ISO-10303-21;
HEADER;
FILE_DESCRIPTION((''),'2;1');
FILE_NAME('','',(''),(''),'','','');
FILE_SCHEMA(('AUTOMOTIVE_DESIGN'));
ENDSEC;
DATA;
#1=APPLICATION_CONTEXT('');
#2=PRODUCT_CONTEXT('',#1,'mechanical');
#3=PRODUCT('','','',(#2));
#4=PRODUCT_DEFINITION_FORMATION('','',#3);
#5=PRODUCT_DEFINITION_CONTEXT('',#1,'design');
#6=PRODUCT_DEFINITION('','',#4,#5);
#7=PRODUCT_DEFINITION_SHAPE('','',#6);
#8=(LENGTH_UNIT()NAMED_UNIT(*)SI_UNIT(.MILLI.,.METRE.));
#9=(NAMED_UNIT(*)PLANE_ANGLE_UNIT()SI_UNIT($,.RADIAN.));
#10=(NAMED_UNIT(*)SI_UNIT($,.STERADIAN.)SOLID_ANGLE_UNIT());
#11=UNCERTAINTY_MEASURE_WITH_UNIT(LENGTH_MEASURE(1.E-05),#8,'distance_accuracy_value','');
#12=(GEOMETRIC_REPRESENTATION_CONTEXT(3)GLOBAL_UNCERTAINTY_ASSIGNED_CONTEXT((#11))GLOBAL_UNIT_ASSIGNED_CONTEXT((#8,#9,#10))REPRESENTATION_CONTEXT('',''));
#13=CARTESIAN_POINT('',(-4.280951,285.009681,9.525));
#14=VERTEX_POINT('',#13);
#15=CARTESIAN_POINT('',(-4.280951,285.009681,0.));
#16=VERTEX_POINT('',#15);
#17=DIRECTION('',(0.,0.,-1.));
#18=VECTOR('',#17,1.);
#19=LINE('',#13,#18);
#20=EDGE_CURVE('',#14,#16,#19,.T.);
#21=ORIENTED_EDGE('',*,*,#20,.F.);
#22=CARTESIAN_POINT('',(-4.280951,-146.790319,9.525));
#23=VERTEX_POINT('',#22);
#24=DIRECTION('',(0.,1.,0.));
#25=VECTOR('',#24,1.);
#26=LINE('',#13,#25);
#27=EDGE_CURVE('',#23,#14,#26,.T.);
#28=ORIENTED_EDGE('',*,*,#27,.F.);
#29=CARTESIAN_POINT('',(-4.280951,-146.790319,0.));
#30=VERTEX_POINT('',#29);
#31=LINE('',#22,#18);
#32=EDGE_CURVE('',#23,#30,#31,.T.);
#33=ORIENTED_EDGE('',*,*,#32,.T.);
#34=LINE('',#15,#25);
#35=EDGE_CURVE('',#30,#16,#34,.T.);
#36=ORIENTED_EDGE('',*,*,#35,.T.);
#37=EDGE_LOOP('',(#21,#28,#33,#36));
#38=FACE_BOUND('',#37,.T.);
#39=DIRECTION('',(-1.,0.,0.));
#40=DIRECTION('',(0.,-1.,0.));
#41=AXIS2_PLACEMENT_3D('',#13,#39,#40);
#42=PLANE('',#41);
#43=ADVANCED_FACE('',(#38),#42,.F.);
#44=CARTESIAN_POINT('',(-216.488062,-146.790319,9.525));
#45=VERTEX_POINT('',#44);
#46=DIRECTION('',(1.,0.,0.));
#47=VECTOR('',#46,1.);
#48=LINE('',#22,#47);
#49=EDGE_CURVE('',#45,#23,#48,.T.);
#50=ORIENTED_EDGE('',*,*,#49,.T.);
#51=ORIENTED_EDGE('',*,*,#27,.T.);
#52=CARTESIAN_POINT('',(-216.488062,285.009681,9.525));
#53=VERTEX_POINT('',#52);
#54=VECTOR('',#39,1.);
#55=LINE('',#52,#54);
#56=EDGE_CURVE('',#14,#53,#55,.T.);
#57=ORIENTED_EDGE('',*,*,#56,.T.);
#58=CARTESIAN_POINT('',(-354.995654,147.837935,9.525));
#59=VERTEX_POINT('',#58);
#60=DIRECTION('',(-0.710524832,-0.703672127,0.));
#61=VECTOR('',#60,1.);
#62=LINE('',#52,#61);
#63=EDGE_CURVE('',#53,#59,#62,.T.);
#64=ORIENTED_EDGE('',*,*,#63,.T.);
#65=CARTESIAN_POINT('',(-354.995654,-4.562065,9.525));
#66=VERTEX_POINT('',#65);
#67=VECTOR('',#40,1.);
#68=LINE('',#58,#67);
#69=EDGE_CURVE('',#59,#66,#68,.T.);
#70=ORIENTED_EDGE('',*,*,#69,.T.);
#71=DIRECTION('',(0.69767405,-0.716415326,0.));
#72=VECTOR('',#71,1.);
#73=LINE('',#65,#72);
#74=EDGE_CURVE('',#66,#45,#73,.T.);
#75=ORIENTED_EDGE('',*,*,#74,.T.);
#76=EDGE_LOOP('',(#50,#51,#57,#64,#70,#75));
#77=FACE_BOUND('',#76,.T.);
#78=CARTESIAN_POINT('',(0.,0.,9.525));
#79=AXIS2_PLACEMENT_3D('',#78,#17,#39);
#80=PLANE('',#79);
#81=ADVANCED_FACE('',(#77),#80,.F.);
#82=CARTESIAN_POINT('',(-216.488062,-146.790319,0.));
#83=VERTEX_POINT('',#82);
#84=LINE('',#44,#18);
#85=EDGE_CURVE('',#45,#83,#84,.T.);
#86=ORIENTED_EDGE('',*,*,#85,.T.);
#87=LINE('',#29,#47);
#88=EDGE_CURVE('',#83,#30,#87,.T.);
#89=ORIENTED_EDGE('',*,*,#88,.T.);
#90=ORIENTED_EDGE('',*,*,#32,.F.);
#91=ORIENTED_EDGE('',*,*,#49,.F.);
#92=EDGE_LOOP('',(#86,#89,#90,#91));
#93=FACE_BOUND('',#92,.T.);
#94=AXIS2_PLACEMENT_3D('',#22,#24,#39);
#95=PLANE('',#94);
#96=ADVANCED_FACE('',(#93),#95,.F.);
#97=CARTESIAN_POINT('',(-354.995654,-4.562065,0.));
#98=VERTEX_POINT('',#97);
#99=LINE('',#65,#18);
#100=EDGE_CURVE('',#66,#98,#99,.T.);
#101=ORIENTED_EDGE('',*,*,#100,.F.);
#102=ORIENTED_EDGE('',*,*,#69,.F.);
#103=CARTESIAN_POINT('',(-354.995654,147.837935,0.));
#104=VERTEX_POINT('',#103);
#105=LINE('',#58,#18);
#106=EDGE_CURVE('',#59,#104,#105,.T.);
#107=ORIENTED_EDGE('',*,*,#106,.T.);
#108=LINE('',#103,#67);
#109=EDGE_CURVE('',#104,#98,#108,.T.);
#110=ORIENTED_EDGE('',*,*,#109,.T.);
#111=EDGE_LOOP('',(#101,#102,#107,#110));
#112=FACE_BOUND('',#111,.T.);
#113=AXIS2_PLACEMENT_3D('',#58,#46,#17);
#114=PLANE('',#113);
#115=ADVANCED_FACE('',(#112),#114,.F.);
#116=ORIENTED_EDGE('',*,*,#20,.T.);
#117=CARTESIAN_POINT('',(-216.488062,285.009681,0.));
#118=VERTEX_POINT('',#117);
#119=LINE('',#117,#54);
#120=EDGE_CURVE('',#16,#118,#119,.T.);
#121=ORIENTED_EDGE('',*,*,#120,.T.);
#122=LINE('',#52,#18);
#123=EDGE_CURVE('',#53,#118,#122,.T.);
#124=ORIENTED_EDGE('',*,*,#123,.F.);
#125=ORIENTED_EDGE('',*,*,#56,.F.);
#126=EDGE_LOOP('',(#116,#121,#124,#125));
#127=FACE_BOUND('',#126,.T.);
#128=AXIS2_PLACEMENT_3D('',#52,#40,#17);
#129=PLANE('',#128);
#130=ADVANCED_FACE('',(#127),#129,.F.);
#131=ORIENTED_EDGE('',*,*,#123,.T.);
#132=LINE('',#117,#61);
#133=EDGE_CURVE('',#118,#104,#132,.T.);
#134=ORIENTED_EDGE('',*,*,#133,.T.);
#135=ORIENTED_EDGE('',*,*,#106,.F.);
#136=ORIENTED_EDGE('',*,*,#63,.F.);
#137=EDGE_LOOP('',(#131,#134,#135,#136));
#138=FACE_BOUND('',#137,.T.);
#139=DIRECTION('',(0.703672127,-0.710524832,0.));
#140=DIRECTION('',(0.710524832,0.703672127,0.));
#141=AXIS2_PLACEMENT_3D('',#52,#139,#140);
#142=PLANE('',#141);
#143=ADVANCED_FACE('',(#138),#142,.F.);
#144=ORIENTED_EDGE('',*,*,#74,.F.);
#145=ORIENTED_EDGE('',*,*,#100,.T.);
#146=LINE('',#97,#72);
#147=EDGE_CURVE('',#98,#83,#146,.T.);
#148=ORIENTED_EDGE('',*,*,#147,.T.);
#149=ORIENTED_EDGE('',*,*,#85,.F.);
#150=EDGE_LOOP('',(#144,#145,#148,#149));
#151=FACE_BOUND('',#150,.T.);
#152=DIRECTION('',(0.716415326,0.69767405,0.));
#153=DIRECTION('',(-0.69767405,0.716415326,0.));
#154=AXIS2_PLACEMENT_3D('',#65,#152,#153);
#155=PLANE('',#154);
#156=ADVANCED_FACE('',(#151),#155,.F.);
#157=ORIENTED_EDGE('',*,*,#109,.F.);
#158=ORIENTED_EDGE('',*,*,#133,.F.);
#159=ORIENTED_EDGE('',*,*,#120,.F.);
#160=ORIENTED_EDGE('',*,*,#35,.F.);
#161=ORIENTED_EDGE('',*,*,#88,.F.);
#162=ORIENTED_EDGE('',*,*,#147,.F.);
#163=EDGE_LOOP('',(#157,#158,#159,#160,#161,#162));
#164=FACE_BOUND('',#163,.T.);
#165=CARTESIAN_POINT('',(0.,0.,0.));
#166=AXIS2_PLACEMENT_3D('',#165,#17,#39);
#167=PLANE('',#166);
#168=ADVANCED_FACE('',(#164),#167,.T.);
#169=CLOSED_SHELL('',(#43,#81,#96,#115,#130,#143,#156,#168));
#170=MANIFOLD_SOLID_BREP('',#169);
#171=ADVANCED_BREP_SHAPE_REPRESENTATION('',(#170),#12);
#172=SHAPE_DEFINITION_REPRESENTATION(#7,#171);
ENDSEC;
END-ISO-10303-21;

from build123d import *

# Parameters (mm, degrees)
BOSS_EXTRUDE1_DEPTH = 9.525


with BuildPart() as part:
    # Sketch1 → Boss-Extrude1 (new body)
    with BuildSketch(Plane.XY):
        Polygon((-4.280950931, -146.790318846), (-216.488062196, -146.790318846), (-354.995654443, -4.562065129), (-354.995654443, 147.837934871), (-216.488062196, 285.009681154), (-4.280950931, 285.009681154), align=None)
    extrude(amount=BOSS_EXTRUDE1_DEPTH)


solid = part.part
